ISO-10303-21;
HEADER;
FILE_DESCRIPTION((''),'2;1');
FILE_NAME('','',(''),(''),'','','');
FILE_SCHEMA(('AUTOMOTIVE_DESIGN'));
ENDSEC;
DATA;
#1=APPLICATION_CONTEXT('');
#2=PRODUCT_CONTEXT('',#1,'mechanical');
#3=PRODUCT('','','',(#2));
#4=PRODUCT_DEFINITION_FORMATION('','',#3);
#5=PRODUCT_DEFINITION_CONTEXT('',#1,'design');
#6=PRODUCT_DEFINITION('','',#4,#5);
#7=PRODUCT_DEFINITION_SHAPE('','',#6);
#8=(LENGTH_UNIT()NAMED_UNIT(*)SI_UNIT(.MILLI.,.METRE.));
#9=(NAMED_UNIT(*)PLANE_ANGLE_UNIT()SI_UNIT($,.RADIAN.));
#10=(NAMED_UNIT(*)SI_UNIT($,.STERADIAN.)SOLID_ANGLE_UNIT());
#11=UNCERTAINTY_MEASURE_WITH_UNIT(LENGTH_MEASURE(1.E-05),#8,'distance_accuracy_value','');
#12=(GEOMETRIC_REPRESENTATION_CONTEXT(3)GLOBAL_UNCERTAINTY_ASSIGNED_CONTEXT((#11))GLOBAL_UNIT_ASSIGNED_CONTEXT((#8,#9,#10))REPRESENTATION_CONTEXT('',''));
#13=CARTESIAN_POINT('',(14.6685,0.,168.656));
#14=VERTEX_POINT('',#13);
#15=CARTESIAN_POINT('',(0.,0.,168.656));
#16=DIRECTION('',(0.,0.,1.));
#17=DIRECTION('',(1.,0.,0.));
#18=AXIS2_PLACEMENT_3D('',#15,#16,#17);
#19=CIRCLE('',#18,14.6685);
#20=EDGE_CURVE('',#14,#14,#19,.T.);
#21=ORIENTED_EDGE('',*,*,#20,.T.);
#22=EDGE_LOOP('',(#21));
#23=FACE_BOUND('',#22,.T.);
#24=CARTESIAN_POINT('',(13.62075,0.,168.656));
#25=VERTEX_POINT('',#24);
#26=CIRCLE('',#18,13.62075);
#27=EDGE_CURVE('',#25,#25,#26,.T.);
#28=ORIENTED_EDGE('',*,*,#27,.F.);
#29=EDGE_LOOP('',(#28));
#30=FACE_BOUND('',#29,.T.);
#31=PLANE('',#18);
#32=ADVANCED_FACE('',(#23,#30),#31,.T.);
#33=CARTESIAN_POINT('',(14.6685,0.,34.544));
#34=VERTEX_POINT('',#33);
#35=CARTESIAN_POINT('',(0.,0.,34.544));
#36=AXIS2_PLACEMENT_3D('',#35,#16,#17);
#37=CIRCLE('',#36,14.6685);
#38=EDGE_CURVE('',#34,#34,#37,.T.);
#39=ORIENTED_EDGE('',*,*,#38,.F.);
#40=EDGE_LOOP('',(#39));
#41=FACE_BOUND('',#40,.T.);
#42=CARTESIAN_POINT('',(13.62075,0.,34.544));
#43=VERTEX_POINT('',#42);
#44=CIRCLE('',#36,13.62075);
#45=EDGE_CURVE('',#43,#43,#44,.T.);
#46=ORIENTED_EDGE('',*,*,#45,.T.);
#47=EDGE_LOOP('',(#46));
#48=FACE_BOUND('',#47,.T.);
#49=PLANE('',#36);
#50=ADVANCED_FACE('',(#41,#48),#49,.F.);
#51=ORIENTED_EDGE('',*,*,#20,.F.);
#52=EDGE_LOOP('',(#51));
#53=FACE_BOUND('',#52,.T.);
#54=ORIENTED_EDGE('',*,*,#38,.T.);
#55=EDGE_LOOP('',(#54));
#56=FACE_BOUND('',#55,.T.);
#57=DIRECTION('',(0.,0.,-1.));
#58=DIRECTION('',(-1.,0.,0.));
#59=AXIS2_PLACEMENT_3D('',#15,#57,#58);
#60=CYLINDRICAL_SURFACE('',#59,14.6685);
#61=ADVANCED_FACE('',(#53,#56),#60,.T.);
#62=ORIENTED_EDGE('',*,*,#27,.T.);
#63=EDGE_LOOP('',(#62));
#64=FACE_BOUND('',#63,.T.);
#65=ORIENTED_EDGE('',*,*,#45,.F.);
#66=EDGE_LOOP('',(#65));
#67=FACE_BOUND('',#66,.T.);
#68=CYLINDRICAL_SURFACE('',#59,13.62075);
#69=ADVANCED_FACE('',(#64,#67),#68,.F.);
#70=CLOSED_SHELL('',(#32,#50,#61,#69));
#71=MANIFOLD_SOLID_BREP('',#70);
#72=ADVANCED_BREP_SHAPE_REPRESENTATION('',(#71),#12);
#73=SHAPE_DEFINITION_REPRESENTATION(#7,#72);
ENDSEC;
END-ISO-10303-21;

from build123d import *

# Parameters (mm, degrees)
SKETCH1_R           = 22.225
SKETCH1_R_2         = 20.6375
BOSS_EXTRUDE1_DEPTH = 203.2
SCALE1_SCALE        = 0.66


with BuildPart() as part:
    # Sketch1 → Boss-Extrude1 (new body)
    with BuildSketch(Plane.XY):
        Circle(SKETCH1_R)
        Circle(SKETCH1_R_2, mode=Mode.SUBTRACT)
    extrude(amount=BOSS_EXTRUDE1_DEPTH)


with BuildPart() as part_1:
    # Scale1: scaled about (0, 0, 101.6)
    add(part.part.scale(SCALE1_SCALE).moved(Location((0, 0, 34.544))))


solid = part_1.part
